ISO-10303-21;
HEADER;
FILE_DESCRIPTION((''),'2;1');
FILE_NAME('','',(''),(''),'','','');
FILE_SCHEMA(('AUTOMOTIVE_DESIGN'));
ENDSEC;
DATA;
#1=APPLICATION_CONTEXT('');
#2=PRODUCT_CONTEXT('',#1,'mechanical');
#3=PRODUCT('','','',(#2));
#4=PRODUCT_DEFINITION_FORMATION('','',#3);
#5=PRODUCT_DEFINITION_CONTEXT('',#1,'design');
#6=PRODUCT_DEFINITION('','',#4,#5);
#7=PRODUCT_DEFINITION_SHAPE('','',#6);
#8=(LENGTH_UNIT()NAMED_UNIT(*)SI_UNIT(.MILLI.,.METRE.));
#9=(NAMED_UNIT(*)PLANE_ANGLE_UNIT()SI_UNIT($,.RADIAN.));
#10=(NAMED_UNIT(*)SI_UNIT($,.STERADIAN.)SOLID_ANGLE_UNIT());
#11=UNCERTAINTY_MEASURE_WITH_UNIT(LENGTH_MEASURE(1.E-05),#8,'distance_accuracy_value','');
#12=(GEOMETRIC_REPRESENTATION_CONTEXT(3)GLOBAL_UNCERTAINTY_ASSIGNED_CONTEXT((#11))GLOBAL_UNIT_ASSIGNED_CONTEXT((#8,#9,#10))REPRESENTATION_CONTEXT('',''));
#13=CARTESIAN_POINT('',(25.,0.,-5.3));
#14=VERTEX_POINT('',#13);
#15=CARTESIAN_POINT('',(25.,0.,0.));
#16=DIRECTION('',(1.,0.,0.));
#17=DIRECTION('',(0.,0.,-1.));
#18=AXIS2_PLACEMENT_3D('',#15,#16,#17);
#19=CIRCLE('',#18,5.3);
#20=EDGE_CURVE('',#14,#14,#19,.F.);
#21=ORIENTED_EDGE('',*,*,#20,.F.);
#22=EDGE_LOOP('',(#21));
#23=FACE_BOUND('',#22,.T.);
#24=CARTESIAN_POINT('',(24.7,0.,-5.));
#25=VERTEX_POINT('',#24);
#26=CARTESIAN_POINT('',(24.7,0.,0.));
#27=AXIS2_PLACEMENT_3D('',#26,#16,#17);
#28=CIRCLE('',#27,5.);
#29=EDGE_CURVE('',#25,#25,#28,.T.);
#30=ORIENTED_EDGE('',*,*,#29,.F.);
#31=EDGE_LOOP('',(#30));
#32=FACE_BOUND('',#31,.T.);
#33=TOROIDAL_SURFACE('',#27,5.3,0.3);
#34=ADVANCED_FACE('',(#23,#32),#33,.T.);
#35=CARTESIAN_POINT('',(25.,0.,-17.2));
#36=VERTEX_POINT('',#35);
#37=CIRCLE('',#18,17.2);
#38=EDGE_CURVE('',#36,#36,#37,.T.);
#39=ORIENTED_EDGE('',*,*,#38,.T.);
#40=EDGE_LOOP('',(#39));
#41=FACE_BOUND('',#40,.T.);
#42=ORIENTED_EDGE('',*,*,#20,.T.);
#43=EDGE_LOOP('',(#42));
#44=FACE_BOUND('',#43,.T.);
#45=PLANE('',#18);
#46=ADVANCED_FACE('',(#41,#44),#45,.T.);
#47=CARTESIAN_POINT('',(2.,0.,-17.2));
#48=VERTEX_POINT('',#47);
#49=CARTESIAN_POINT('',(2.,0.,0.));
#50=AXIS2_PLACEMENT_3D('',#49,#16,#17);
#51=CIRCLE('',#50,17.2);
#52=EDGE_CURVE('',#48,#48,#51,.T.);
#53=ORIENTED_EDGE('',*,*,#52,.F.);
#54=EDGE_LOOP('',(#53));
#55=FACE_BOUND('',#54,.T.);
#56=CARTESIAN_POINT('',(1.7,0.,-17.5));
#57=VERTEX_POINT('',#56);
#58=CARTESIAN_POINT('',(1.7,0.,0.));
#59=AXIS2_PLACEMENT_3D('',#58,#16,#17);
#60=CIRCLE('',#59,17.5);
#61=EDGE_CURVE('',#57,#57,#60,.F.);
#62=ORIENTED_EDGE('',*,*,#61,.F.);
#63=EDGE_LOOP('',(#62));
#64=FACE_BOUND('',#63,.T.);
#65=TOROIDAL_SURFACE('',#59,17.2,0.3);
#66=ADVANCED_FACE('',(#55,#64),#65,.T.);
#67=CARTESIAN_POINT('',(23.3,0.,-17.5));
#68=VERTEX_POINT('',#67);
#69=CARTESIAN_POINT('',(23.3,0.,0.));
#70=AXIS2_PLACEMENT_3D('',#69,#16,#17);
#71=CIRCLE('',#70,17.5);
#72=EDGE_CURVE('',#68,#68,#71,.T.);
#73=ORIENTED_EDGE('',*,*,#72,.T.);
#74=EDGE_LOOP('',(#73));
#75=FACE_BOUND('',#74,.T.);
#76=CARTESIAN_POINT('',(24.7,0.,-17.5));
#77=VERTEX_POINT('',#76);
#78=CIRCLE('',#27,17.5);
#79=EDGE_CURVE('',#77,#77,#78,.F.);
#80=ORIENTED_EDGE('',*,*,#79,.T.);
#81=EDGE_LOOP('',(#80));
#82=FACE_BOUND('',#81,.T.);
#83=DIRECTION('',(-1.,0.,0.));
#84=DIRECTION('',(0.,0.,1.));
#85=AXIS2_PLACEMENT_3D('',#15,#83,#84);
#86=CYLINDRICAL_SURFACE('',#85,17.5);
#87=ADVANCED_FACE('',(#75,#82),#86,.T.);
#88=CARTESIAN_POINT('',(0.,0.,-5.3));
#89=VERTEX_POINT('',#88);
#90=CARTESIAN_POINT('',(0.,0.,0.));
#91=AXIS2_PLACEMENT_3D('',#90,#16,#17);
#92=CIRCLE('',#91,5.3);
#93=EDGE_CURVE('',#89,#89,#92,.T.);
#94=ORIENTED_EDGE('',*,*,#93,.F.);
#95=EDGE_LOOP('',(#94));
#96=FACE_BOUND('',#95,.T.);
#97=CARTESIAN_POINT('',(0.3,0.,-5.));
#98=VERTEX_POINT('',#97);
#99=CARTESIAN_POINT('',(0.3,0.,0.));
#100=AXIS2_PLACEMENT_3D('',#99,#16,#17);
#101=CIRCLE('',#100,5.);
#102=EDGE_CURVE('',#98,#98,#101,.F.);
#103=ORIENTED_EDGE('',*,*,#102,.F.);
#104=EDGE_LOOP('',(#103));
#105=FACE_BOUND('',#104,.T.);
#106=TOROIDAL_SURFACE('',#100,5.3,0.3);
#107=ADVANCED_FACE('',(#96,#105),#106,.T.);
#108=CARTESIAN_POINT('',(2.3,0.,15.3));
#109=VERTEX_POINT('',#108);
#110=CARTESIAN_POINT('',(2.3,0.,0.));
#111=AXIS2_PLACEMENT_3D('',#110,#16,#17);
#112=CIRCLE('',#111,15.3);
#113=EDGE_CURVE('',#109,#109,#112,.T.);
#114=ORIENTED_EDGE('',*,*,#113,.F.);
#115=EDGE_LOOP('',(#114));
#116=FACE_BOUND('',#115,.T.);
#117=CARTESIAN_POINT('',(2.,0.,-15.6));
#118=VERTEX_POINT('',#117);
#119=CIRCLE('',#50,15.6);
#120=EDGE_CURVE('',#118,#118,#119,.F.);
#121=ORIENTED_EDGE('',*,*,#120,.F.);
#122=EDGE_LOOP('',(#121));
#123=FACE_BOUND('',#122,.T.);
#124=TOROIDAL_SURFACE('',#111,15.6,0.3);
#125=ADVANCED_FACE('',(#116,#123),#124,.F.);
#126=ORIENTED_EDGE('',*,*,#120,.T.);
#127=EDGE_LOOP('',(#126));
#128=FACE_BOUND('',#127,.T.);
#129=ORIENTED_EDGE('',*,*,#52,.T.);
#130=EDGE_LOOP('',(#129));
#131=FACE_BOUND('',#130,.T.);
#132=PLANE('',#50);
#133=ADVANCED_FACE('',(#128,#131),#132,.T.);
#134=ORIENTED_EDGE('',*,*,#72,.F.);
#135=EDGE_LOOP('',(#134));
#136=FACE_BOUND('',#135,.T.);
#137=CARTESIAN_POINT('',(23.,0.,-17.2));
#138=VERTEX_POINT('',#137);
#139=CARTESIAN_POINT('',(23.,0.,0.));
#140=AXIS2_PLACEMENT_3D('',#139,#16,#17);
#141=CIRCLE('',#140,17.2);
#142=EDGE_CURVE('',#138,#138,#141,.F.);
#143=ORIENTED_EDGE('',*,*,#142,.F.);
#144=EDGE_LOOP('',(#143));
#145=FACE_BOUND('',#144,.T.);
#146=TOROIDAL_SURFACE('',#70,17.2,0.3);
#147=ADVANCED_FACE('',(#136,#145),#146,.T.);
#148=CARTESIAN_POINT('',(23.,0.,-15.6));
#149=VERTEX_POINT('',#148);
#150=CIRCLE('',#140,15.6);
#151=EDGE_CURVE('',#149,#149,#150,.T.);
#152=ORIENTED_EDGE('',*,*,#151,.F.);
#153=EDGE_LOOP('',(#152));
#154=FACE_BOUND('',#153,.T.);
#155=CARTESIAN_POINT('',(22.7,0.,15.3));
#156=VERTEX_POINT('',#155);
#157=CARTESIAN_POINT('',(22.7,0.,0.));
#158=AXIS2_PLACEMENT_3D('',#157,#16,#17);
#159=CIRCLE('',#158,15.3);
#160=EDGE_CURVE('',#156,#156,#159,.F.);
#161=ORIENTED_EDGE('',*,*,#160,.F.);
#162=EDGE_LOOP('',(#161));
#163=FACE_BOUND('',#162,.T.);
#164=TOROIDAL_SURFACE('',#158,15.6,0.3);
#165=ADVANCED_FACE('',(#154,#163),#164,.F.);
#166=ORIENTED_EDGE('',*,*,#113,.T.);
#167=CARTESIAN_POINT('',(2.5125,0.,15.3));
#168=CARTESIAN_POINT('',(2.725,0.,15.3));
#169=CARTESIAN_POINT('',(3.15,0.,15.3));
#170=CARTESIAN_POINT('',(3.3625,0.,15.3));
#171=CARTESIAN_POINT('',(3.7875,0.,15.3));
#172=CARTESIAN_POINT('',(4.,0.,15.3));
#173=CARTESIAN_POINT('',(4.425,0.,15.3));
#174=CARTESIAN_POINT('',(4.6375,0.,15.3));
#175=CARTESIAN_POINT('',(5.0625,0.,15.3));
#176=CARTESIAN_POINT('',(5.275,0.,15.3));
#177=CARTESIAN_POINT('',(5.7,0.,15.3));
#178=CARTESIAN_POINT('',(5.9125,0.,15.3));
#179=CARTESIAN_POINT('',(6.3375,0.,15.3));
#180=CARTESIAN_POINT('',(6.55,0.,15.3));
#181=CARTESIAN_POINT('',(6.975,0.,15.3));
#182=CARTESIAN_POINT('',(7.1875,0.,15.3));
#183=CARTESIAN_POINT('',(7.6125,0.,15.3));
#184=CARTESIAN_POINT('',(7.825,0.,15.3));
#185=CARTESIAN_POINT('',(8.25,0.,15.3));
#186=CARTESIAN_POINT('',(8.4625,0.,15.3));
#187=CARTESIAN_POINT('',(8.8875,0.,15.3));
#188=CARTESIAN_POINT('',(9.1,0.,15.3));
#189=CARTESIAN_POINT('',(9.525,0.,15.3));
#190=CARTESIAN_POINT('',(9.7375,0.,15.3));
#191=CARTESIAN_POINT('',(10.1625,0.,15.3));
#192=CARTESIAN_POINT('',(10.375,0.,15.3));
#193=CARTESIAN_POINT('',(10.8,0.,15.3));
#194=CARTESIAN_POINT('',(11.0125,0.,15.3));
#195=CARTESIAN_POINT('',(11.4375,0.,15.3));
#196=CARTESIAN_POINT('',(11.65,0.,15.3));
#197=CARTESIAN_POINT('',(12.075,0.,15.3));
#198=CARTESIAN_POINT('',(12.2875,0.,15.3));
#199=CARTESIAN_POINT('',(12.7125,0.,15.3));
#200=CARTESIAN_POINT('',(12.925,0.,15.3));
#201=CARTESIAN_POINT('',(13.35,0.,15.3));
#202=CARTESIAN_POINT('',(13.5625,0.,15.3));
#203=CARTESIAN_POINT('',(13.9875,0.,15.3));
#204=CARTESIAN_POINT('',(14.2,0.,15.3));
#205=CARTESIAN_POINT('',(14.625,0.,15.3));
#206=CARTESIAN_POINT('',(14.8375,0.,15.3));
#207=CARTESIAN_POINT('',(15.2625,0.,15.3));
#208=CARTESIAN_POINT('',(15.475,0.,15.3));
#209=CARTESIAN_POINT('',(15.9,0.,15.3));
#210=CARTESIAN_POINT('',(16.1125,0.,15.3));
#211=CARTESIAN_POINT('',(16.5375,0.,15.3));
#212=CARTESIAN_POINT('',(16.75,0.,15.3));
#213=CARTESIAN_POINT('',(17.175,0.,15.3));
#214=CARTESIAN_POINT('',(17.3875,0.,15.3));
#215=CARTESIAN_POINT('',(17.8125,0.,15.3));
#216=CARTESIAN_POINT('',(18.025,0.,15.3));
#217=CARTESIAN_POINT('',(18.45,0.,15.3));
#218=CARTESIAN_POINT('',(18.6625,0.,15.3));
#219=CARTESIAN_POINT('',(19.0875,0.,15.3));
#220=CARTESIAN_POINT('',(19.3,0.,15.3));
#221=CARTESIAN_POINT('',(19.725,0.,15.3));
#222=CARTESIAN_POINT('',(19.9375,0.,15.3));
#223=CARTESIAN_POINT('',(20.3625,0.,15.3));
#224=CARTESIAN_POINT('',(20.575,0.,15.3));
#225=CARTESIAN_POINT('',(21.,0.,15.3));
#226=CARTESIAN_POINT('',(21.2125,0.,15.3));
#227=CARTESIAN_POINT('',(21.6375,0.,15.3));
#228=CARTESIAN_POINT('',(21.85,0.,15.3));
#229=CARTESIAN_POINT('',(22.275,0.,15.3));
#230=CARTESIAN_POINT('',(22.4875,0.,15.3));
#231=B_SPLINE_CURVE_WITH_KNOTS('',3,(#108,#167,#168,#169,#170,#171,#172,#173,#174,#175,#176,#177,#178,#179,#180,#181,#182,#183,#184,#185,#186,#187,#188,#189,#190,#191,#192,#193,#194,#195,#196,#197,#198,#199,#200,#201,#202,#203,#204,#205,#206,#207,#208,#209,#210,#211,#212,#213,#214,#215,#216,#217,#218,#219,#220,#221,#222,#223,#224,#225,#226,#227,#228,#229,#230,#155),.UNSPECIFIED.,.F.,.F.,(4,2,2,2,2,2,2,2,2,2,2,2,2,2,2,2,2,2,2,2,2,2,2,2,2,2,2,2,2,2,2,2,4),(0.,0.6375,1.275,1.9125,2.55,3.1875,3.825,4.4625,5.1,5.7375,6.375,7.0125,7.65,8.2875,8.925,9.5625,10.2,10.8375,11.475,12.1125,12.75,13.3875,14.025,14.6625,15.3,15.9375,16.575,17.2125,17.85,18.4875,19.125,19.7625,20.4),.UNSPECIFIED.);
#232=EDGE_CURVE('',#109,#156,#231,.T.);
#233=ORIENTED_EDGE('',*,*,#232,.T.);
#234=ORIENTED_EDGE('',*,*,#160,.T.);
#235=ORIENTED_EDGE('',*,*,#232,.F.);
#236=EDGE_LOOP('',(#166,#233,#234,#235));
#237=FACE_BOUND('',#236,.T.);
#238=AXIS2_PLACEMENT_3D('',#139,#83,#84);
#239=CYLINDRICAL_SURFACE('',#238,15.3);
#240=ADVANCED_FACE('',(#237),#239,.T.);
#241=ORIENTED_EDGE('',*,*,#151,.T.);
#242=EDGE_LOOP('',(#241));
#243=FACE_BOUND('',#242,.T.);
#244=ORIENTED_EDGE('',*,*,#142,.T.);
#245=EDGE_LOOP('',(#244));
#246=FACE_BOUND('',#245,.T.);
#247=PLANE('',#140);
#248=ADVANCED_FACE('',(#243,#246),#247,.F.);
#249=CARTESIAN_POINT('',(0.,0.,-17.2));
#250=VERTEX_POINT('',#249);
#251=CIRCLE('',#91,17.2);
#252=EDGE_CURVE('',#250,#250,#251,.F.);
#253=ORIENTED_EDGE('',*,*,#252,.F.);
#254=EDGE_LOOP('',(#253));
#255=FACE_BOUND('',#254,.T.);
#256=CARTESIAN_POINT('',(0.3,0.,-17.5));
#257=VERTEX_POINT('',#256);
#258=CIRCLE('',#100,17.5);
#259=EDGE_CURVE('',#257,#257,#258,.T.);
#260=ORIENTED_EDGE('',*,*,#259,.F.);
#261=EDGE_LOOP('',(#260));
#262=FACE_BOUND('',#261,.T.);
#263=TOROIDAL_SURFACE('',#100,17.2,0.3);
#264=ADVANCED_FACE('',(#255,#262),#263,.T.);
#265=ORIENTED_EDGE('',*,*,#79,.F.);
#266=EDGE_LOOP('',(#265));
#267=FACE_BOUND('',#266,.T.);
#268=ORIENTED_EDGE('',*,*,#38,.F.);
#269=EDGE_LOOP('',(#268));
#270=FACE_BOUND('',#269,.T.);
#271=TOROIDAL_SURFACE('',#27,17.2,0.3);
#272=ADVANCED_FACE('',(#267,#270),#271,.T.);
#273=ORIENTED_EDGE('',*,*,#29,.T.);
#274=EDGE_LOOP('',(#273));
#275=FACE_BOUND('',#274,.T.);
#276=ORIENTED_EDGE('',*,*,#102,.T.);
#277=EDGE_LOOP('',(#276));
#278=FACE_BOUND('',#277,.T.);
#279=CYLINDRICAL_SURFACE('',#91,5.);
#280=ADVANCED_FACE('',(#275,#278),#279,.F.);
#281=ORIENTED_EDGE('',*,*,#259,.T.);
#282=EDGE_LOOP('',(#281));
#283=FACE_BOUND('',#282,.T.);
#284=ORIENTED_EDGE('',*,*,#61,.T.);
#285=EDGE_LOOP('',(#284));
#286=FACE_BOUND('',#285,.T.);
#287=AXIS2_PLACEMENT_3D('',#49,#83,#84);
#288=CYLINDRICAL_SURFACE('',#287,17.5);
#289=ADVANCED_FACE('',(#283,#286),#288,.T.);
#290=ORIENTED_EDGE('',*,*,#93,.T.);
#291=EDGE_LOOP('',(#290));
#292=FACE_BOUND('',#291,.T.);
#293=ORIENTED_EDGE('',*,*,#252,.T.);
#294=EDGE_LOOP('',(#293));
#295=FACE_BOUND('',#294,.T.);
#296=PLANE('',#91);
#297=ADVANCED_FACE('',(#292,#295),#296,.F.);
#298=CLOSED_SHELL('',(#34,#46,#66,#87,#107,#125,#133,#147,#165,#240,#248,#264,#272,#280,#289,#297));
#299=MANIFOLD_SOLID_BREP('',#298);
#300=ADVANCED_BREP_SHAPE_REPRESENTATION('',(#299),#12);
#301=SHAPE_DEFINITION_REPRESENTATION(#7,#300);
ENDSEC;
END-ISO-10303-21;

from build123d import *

# Parameters (mm, degrees)
SKETCH_1_R          = 17.5
EXTRUDE_1_DEPTH     = 2
SKETCH_2_R          = 15.3
EXTRUDE_2_DEPTH     = 21
SKETCH_3_R          = 17.5
EXTRUDE_3_DEPTH     = 2
SKETCH_4_R          = 5
CUT_EXTRUDE_1_DEPTH = 36.178118199
FILLET_1_R          = 0.3


with BuildPart() as part:
    # 草图1 → 凸台-拉伸1 (new body)
    with BuildSketch(Plane(origin=(0, 0, 0), x_dir=(0, 0, -1), z_dir=(1, 0, 0))):
        Circle(SKETCH_1_R)
    extrude(amount=EXTRUDE_1_DEPTH)

    # 草图2 → 凸台-拉伸2 (add)
    with BuildSketch(Plane(origin=(2, 0, 0), x_dir=(0, 0, -1), z_dir=(1, 0, 0))):
        with Locations(Location((0, 0, 0), (0, 0, 180))):
            Circle(SKETCH_2_R)
    extrude(amount=EXTRUDE_2_DEPTH)

    # 草图3 → 凸台-拉伸3 (add)
    with BuildSketch(Plane(origin=(23, 0, 0), x_dir=(0, 0, -1), z_dir=(1, 0, 0))):
        Circle(SKETCH_3_R)
    extrude(amount=EXTRUDE_3_DEPTH)

    # 草图4 → 切除-拉伸1 (cut, through all)
    with BuildSketch(Plane(origin=(25, 0, 0), x_dir=(0, 0, -1), z_dir=(1, 0, 0))):
        Circle(SKETCH_4_R)
    extrude(amount=-CUT_EXTRUDE_1_DEPTH, mode=Mode.SUBTRACT)

    # 圆角1
    fillet_1_edges = [part.edges().sort_by_distance(p)[0] for p in [
        (25, 0, 17.5),
        (0, 0, 5),
        (25, 0, 5),
        (0, 0, 17.5),
        (2, 0, 17.5),
        (2, 0, -15.3),
        (23, 0, -15.3),
        (23, 0, 17.5),
    ]]
    fillet(fillet_1_edges, radius=FILLET_1_R)


solid = part.part
